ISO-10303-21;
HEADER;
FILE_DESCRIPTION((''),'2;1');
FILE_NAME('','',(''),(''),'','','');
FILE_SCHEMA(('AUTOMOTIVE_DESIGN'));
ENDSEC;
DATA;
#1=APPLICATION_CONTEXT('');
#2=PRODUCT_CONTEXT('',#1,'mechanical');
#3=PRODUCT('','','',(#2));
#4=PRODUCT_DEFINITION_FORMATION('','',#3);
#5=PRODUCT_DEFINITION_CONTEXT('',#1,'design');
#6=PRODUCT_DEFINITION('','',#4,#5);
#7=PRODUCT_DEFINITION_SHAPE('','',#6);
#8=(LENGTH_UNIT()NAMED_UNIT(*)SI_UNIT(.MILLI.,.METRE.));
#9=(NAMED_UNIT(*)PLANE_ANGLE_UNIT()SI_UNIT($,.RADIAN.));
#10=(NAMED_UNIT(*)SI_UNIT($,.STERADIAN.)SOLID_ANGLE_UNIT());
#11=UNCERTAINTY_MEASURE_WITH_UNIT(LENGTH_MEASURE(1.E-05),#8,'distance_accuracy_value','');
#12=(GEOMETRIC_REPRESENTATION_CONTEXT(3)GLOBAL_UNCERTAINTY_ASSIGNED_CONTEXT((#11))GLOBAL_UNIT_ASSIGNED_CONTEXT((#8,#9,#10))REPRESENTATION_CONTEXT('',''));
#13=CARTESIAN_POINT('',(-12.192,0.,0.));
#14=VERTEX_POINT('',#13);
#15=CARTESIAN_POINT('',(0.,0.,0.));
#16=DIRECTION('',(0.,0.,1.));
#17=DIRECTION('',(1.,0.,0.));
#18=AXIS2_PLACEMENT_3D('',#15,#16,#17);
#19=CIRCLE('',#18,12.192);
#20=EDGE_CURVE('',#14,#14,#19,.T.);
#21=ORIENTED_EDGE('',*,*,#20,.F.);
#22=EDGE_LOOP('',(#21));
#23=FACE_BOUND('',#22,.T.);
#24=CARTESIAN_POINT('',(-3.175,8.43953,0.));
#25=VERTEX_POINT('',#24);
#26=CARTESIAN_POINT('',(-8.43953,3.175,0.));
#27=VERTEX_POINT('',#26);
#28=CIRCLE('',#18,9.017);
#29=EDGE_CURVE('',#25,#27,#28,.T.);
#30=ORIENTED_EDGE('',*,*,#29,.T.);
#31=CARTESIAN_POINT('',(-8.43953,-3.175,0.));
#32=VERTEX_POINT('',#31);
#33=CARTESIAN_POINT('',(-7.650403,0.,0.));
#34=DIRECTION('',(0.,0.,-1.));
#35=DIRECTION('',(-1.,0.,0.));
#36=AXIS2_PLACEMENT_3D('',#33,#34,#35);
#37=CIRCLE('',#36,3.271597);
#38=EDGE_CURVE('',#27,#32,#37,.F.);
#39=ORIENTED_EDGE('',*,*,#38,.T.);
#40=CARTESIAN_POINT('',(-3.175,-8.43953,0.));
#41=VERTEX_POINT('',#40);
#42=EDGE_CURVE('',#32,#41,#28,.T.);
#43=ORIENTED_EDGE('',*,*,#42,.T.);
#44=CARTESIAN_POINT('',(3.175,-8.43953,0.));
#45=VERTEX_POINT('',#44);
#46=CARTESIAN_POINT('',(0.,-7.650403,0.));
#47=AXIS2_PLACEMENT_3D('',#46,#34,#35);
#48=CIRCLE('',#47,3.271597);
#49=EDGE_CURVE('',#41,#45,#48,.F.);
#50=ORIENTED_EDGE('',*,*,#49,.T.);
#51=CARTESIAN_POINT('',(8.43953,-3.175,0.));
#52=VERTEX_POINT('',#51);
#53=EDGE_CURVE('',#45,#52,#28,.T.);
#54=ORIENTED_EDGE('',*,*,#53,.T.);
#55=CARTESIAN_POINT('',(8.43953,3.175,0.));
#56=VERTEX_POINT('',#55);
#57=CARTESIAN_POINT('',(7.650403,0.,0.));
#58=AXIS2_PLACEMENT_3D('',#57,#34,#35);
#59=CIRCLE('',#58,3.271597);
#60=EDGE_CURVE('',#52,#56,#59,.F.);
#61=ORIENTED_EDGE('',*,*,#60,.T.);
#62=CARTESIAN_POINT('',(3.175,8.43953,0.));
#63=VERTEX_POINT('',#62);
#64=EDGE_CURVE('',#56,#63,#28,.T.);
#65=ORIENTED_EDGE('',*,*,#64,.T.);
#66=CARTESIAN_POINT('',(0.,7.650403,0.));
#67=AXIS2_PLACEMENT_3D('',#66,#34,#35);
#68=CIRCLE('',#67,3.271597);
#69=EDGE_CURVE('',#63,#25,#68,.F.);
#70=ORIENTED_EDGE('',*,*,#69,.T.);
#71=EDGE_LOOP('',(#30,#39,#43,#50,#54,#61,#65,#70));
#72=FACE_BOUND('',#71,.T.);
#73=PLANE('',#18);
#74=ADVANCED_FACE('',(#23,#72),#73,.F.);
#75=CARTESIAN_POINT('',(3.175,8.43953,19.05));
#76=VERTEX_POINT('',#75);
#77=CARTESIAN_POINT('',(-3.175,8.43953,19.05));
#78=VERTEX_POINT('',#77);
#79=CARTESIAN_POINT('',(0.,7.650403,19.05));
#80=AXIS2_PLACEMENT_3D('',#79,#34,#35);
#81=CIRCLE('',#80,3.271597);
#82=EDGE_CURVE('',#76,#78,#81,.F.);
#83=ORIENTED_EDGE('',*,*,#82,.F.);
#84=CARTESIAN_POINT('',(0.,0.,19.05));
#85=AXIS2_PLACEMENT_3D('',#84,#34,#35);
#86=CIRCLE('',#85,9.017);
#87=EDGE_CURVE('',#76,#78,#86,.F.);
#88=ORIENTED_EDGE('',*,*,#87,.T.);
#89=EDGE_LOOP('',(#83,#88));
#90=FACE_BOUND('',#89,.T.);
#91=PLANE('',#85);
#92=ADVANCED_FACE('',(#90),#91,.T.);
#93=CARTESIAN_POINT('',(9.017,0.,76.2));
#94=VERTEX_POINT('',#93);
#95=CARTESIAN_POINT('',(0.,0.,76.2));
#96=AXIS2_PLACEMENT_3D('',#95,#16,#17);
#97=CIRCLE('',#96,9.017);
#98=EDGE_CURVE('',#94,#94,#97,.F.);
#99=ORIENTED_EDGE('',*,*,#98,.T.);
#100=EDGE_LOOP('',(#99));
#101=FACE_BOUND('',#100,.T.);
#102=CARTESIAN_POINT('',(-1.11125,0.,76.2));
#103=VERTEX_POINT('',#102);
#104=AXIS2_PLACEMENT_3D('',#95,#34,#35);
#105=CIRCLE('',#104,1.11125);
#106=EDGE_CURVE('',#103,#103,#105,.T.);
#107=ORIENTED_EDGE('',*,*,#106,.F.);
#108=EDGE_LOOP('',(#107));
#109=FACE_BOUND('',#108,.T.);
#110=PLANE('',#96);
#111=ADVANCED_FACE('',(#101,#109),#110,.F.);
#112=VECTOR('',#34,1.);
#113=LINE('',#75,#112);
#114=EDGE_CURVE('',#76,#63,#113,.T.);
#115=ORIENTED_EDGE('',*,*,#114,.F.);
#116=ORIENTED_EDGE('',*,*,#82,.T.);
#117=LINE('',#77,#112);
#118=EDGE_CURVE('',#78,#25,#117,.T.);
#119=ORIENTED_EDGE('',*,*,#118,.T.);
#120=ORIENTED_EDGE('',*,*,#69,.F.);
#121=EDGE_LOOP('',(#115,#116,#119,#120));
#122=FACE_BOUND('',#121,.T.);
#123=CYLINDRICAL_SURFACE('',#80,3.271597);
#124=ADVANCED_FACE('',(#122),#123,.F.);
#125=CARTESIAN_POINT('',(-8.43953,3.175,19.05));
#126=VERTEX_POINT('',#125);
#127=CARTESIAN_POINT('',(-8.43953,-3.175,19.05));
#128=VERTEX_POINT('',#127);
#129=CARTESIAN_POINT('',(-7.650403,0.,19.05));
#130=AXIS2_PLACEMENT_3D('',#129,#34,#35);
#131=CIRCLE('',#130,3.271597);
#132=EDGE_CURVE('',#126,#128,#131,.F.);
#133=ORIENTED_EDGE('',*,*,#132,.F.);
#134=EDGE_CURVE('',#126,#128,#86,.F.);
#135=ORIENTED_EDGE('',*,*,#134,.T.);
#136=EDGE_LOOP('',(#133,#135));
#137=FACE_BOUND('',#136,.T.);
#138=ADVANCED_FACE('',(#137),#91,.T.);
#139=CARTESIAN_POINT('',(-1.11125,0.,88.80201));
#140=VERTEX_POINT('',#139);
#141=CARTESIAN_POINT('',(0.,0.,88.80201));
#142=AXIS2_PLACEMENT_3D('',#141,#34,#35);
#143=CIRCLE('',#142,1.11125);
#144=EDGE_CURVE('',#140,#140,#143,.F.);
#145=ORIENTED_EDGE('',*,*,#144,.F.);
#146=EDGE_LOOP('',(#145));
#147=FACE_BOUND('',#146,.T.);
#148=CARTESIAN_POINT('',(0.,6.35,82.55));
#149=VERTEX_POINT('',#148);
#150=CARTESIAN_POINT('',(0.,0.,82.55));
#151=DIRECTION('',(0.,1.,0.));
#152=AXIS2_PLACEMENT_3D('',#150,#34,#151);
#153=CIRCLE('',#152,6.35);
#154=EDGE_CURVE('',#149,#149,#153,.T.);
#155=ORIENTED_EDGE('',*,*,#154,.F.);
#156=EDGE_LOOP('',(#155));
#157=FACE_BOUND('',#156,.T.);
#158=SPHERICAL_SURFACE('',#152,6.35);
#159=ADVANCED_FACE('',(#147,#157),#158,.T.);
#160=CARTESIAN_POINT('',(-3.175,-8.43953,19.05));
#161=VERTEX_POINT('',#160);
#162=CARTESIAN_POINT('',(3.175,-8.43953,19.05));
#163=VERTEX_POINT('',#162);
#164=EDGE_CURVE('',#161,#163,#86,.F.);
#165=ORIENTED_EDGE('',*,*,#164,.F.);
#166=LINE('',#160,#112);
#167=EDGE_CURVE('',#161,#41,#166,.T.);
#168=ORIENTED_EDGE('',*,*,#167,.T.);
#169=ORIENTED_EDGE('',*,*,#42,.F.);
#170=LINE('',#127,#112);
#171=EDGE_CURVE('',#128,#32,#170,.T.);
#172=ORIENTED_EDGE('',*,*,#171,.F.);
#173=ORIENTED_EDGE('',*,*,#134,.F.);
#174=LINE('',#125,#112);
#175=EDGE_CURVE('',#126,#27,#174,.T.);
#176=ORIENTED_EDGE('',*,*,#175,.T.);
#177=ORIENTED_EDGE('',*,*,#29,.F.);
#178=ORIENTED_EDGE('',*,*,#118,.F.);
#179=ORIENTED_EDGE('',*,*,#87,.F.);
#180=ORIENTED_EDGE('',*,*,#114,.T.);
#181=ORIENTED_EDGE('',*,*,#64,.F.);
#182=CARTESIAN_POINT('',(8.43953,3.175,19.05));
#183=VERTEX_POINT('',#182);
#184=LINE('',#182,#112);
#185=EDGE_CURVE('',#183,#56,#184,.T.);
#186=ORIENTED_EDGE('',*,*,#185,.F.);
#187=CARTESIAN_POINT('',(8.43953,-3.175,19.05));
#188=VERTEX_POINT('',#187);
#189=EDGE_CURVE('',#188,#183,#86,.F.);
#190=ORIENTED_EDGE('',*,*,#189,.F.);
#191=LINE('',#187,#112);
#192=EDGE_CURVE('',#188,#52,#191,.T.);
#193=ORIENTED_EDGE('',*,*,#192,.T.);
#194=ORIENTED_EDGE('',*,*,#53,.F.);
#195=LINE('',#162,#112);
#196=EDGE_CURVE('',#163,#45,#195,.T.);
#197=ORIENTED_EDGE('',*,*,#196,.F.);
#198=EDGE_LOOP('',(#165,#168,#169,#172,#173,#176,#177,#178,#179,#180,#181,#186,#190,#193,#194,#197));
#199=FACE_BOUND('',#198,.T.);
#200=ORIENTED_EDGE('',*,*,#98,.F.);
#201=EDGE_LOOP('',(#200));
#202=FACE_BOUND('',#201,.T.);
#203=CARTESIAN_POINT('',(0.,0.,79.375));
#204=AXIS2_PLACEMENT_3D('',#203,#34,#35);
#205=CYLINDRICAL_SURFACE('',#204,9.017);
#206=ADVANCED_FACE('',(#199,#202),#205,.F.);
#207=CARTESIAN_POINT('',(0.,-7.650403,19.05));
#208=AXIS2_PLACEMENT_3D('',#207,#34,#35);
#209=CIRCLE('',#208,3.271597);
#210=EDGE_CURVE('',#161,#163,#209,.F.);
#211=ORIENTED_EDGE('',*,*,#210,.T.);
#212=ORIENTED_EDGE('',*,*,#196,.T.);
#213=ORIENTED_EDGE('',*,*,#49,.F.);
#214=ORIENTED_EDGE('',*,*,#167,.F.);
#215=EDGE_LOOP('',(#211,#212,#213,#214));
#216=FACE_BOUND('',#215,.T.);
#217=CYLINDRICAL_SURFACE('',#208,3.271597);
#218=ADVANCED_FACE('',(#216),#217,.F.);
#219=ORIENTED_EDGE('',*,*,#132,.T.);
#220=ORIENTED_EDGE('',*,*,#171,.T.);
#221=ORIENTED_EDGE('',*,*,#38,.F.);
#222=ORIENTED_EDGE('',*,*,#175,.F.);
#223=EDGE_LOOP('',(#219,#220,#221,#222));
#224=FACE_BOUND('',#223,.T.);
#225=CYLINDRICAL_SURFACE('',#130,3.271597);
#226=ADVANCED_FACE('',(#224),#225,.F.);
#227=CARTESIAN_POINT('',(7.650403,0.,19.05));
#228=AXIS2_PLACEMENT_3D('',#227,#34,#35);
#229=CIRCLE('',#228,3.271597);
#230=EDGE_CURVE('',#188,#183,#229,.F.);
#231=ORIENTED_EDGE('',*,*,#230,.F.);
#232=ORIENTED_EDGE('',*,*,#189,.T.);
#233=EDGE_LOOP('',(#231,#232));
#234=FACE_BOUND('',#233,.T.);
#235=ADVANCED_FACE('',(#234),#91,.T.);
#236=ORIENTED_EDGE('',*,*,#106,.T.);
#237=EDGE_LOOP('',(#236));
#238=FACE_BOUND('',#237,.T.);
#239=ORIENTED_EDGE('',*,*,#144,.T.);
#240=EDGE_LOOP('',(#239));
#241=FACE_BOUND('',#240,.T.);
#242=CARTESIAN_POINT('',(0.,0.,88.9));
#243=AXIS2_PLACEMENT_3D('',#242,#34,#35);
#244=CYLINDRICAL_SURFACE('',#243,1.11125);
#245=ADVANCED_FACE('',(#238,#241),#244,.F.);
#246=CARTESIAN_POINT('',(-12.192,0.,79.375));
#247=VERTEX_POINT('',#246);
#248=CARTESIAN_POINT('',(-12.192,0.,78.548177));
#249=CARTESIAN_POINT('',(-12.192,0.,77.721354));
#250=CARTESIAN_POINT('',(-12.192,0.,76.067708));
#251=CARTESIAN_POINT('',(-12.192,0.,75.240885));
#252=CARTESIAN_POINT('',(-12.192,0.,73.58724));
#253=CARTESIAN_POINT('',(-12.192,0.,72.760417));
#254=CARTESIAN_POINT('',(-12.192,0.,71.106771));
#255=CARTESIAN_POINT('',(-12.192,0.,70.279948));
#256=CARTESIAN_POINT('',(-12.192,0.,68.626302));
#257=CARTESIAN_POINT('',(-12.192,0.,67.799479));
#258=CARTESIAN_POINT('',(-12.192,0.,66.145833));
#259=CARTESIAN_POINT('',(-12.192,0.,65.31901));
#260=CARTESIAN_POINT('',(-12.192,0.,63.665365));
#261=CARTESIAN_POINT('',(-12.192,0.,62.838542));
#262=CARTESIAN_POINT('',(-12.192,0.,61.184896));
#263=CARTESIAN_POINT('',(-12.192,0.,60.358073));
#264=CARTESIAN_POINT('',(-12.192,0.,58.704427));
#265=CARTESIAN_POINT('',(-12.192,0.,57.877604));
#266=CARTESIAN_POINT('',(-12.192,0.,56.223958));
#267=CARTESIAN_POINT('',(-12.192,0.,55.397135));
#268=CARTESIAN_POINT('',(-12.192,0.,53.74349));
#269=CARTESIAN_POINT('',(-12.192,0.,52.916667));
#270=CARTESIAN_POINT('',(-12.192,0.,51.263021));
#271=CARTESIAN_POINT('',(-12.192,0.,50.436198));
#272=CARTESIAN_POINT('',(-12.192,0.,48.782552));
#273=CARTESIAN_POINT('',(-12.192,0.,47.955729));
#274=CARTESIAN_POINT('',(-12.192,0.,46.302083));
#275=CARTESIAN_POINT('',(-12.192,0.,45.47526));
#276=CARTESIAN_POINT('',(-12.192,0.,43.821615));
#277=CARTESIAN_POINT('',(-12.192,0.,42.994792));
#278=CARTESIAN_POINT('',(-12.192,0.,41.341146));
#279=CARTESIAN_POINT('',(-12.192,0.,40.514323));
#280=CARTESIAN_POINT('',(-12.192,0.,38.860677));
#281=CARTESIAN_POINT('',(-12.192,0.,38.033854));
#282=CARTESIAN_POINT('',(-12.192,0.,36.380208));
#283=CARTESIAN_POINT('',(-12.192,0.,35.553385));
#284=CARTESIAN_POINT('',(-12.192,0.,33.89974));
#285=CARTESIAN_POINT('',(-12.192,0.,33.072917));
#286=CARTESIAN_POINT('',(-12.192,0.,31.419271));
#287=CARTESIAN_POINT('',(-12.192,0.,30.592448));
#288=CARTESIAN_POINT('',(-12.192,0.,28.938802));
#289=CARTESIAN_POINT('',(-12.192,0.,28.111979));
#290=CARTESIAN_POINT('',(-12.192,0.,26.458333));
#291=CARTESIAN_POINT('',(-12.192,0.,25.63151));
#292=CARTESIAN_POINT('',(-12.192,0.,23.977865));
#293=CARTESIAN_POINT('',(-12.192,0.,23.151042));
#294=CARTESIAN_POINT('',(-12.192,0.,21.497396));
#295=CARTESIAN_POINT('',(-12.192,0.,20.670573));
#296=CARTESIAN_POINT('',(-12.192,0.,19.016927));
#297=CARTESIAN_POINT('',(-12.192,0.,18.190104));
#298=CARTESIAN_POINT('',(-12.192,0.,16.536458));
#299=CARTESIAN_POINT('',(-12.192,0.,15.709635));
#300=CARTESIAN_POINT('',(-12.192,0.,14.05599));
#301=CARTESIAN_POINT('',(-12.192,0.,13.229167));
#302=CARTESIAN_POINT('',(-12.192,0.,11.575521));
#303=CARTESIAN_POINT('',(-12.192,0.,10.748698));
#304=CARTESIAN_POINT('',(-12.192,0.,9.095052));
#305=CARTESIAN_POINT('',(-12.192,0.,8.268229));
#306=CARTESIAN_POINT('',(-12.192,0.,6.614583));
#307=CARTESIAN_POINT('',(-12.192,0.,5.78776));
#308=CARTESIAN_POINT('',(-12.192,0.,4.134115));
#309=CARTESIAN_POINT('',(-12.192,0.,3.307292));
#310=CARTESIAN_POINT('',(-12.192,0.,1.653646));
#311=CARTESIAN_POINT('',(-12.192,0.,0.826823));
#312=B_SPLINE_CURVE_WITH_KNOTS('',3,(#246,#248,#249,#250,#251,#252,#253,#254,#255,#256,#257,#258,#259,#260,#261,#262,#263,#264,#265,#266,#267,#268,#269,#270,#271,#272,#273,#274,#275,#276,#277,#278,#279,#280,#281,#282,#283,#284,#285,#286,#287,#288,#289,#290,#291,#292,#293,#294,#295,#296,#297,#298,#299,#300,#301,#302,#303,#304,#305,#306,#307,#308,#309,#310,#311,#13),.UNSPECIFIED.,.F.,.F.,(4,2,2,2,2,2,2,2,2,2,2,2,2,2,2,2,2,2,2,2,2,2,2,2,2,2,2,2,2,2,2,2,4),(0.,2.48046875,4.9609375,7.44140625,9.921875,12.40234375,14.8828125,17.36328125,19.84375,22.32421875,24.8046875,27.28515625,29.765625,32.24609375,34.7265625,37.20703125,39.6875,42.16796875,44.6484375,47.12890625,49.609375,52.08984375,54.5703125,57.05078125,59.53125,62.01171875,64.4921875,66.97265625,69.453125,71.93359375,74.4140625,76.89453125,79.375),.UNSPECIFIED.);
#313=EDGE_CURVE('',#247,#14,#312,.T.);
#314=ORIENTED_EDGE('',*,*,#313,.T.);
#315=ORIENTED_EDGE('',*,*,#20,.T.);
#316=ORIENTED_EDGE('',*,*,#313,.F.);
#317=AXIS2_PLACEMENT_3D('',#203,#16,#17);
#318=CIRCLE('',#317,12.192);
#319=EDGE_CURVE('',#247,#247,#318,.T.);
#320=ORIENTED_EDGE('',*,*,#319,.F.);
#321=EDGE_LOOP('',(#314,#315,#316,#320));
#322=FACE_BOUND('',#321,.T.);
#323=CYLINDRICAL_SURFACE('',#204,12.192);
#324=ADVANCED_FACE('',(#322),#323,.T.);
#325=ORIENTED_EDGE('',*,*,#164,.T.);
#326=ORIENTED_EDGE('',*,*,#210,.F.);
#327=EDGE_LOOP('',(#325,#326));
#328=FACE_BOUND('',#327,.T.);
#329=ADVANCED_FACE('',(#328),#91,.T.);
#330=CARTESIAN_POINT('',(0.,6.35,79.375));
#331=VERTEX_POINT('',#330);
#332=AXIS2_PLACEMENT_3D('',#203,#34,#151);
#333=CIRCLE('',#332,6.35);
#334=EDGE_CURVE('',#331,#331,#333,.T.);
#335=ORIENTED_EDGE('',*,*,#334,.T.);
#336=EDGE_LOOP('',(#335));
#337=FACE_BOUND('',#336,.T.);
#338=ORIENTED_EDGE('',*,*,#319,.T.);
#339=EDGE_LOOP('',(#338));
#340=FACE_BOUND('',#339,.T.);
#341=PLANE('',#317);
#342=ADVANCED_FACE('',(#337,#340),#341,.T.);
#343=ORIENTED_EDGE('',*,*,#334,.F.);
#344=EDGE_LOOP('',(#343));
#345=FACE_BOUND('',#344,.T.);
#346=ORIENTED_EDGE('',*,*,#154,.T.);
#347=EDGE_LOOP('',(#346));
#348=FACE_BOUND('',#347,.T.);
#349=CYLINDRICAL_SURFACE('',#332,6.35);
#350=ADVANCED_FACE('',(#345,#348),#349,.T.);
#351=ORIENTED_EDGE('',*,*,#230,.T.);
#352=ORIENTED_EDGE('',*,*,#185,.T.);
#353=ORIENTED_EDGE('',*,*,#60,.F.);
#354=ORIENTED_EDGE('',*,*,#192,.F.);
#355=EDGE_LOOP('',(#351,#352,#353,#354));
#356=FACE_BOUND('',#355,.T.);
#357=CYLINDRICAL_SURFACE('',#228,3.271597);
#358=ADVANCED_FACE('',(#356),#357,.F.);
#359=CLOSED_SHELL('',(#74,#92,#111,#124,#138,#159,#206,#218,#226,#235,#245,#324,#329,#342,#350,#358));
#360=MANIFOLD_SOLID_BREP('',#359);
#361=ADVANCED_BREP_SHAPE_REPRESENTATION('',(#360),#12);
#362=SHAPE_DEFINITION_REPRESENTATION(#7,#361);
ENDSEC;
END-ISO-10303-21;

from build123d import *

# Parameters (mm, degrees)
SKETCH1_R           = 12.192
SKETCH1_R_2         = 9.017
CORE_EXTRUDE_DEPTH  = 79.375
GROOVE_CUT_DEPTH    = 19.05
BUMPY_START         = -3.175
SKETCH3_R           = 9.017
BUMPY_EXTRUDE_DEPTH = 3.175
SKETCH7_R           = 1.11125
CUT_EXTRUDE3_DEPTH  = 79.126370247


with BuildPart() as part:
    # Sketch1 → Core Extrude (new body)
    with BuildSketch(Plane.XY):
        with Locations(Location((0, 0, 0), (0, 0, 180))):
            Circle(SKETCH1_R)
        with Locations(Location((0, 0, 0), (0, 0, 180))):
            Circle(SKETCH1_R_2, mode=Mode.SUBTRACT)
    extrude(amount=CORE_EXTRUDE_DEPTH)

    # Sketch2 → Groove Cut (cut)
    with BuildSketch(Plane(origin=(0, 0, 0), x_dir=(-1, 0, 0), z_dir=(0, 0, -1))):
        with BuildLine():
            ThreePointArc((-8.439529845, -3.175), (-9.017, 0), (-8.439529845, 3.175))
            ThreePointArc((-8.439529845, 3.175), (-10.922, 0), (-8.439529845, -3.175))
        make_face()
        with BuildLine():
            ThreePointArc((-3.175, 8.439529845), (0, 9.017), (3.175, 8.439529845))
            ThreePointArc((3.175, 8.439529845), (0, 10.922), (-3.175, 8.439529845))
        make_face()
        with BuildLine():
            ThreePointArc((8.439529845, -3.175), (10.922, 0), (8.439529845, 3.175))
            ThreePointArc((8.439529845, 3.175), (8.871457874, 1.613543986), (9.017, 0))
            ThreePointArc((9.017, 0), (8.871457874, -1.613543986), (8.439529845, -3.175))
        make_face()
        with BuildLine():
            ThreePointArc((-3.175, -8.439529845), (0, -10.922), (3.175, -8.439529845))
            ThreePointArc((3.175, -8.439529845), (0, -9.017), (-3.175, -8.439529845))
        make_face()
    extrude(amount=-GROOVE_CUT_DEPTH, mode=Mode.SUBTRACT)

    # Sketch3 → Bumpy Extrude (add)
    with BuildSketch(Plane.XY.offset(79.375).offset(BUMPY_START)):
        with Locations(Location((0, 0, 0), (0, 0, 159.383409617))):
            Circle(SKETCH3_R)
    extrude(amount=BUMPY_EXTRUDE_DEPTH)

    # Sketch5 → Revolve1 (revolve)
    with BuildSketch(Plane(origin=(0, 0, 0), x_dir=(0, 0, -1), z_dir=(1, 0, 0))):
        with BuildLine():
            Line((-88.9, 0), (-79.375, 0))
            Line((-79.375, 0), (-79.375, 6.35))
            Line((-79.375, 6.35), (-82.55, 6.35))
            ThreePointArc((-82.55, 6.35), (-87.040128061, 4.490128061), (-88.9, 0))
        make_face()
    revolve(axis=Axis((0, 0, 79.375), (0, 0, 1)))

    # Sketch7 → Cut-Extrude3 (cut, through all)
    with BuildSketch(Plane(origin=(0, 0, 76.2), x_dir=(-1, 0, 0), z_dir=(0, 0, -1))):
        Circle(SKETCH7_R)
    extrude(amount=-CUT_EXTRUDE3_DEPTH, mode=Mode.SUBTRACT)


solid = part.part
